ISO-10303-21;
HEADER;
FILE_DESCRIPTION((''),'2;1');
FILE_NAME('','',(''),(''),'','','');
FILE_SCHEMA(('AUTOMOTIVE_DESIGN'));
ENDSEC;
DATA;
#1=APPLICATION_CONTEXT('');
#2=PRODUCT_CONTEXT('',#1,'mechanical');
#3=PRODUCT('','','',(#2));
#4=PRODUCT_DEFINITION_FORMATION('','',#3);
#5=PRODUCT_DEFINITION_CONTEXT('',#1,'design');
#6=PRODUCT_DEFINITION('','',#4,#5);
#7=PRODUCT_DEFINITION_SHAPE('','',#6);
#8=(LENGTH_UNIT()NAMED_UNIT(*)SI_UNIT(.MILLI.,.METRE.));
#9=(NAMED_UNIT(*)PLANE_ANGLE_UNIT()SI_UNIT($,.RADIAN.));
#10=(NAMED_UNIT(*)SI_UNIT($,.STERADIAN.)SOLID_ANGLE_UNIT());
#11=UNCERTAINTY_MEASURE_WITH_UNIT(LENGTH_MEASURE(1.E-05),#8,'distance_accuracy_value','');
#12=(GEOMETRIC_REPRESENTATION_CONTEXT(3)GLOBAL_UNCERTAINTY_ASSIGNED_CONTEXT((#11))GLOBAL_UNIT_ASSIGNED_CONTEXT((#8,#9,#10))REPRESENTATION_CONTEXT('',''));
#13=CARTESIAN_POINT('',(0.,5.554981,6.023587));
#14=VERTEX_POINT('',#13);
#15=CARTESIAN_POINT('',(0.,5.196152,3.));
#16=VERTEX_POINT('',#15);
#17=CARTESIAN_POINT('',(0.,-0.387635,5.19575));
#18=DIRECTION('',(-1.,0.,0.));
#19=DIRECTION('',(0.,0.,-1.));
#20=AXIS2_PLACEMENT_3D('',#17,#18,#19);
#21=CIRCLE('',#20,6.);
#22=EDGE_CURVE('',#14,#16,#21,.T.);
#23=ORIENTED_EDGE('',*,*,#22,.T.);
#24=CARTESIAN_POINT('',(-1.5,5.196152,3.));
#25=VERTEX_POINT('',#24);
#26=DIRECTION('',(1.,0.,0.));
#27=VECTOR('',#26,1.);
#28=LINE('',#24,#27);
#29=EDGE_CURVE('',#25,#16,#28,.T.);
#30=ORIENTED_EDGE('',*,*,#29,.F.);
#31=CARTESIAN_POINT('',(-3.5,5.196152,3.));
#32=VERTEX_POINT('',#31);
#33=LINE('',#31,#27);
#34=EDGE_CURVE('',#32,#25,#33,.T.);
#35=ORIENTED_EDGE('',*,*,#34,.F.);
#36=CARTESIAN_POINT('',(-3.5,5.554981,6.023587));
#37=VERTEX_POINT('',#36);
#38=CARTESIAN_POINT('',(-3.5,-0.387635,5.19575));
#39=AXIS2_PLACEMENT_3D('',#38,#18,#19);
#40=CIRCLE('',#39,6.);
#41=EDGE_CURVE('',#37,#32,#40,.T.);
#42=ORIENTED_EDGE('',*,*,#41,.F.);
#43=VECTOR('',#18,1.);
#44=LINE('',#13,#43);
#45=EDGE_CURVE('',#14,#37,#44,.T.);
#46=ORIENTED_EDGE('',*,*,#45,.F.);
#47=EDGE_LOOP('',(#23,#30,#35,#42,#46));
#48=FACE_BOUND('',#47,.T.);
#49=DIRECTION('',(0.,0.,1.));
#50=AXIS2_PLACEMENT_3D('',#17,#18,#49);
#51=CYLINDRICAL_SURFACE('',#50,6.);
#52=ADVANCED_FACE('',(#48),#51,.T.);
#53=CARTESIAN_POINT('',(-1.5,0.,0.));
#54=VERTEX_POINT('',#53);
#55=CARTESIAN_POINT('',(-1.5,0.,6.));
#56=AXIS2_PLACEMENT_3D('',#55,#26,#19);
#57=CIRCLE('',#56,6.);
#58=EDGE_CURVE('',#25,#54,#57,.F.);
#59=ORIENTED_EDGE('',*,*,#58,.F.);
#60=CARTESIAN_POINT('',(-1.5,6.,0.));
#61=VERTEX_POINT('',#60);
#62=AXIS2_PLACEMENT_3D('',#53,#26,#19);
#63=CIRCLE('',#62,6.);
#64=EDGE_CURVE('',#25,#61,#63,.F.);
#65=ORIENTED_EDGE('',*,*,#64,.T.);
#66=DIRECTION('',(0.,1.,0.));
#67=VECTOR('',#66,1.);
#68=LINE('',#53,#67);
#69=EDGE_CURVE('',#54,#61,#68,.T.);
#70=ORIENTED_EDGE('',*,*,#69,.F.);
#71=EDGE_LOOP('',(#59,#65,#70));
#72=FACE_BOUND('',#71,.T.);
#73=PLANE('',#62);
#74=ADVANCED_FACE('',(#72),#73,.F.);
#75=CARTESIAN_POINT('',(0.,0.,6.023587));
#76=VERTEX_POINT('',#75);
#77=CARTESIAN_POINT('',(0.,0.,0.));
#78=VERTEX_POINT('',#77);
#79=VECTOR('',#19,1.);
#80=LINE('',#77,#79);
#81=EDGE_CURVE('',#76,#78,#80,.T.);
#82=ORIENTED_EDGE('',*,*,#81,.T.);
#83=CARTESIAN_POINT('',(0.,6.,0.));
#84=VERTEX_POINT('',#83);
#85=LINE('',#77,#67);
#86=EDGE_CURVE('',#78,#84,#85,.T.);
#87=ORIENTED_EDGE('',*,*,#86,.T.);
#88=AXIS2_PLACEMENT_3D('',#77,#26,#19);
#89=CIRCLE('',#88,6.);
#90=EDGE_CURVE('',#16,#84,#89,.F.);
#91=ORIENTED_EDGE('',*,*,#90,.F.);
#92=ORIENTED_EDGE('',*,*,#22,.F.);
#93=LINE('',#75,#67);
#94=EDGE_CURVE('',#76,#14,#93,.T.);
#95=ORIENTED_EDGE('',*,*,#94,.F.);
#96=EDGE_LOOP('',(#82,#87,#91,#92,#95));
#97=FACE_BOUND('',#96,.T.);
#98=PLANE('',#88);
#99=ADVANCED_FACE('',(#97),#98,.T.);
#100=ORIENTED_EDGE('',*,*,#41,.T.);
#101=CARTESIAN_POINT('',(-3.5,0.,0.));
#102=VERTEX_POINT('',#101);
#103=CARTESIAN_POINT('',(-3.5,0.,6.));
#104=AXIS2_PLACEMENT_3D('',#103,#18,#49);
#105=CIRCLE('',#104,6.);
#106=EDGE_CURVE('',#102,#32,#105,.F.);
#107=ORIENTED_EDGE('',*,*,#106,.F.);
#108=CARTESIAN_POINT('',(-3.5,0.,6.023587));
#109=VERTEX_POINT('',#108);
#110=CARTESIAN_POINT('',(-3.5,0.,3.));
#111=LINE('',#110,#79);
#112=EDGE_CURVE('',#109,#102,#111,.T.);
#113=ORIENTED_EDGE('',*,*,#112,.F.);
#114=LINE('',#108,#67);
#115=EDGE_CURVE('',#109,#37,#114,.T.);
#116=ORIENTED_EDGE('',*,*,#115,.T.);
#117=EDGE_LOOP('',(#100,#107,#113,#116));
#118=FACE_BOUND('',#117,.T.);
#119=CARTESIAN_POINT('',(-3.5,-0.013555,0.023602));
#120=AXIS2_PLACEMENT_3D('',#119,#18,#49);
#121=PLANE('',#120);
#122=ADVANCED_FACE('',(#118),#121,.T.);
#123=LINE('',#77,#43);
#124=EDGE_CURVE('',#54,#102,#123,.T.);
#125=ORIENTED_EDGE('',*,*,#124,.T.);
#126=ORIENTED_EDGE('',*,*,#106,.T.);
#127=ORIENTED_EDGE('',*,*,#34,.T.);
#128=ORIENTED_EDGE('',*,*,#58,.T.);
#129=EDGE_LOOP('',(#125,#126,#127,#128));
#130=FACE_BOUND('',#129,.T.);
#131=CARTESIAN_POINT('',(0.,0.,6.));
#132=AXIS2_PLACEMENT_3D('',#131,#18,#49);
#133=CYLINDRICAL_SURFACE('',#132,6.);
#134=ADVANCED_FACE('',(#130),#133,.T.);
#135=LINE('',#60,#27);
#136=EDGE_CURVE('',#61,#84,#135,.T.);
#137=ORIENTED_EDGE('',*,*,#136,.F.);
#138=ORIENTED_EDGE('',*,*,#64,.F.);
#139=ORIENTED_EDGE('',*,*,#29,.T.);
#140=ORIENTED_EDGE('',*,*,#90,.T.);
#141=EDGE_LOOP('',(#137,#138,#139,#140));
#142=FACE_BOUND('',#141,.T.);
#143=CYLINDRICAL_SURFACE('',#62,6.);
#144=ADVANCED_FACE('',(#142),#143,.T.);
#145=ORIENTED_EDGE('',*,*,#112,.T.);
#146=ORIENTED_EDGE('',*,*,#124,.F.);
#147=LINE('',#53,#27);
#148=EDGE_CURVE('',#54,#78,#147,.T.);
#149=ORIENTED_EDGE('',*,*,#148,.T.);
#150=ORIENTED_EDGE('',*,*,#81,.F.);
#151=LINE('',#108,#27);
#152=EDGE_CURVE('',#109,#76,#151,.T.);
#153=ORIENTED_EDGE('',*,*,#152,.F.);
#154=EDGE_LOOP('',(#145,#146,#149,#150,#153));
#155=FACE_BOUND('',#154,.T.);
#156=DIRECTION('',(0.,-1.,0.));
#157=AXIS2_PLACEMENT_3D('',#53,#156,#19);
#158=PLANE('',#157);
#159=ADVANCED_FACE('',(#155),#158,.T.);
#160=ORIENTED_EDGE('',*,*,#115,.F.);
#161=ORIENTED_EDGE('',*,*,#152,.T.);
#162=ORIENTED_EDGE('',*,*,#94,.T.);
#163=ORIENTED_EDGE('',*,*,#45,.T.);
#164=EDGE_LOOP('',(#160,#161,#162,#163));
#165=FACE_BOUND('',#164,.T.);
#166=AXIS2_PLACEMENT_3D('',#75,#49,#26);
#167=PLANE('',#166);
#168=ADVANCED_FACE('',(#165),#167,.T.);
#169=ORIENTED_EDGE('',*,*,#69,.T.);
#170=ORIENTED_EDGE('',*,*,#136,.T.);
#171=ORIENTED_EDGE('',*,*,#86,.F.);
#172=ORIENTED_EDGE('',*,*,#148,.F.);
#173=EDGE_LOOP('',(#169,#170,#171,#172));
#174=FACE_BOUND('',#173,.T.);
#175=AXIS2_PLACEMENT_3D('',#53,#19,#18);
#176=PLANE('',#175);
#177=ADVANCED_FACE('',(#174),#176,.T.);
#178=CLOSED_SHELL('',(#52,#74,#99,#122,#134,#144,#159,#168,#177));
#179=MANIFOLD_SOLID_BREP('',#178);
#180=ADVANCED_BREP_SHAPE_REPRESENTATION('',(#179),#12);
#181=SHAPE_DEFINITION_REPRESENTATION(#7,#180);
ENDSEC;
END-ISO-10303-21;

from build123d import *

# Parameters (mm, degrees)
BOSS_EXTRUDE1_DEPTH = 1.5
BOSS_EXTRUDE2_DEPTH = 3.5
BOSS_EXTRUDE3_DEPTH = 3.5
BOSS_EXTRUDE4_DEPTH = 3.5


with BuildPart() as part:
    # Sketch1 → Boss-Extrude1 (new body)
    with BuildSketch(Plane(origin=(0, 0, 0), x_dir=(0, 0, -1), z_dir=(1, 0, 0))):
        with BuildLine():
            Line((-3, 5.196152423), (-3, 0))
            Line((-3, 0), (0, 0))
            Line((0, 0), (0, 6))
            ThreePointArc((0, 6), (-1.552914271, 5.795554958), (-3, 5.196152423))
        make_face()
    extrude(amount=-BOSS_EXTRUDE1_DEPTH)

    # Sketch2 → Boss-Extrude2 (add)
    with BuildSketch(Plane(origin=(0, 0, 0), x_dir=(0, 0, -1), z_dir=(1, 0, 0))):
        with BuildLine():
            Line((-3, 0), (-6.023586903, 0))
            ThreePointArc((-6.023586903, 0), (-5.20953131, 3.004082594), (-3, 5.196152423))
            Line((-3, 5.196152423), (-3, 0))
        make_face()
    extrude(amount=-BOSS_EXTRUDE2_DEPTH)

    # Sketch3 → Boss-Extrude3 (add)
    with BuildSketch(Plane.ZY.offset(3.5)):
        with BuildLine():
            ThreePointArc((3, 5.196152423), (0.803847577, 3), (0, 0))
            Line((0, 0), (3, 0))
            Line((3, 0), (3, 5.196152423))
        make_face()
    extrude(amount=-BOSS_EXTRUDE3_DEPTH)

    # Sketch4 → Boss-Extrude4 (add)
    with BuildSketch(Plane.ZY.offset(3.5)):
        with BuildLine():
            Line((6.023586903, 0), (6.023586903, 5.554981031))
            ThreePointArc((6.023586903, 5.554981031), (4.488653077, 5.570553782), (3, 5.196152423))
            Line((3, 5.196152423), (3, 0))
            Line((3, 0), (6.023586903, 0))
        make_face()
    extrude(amount=-BOSS_EXTRUDE4_DEPTH)


solid = part.part
